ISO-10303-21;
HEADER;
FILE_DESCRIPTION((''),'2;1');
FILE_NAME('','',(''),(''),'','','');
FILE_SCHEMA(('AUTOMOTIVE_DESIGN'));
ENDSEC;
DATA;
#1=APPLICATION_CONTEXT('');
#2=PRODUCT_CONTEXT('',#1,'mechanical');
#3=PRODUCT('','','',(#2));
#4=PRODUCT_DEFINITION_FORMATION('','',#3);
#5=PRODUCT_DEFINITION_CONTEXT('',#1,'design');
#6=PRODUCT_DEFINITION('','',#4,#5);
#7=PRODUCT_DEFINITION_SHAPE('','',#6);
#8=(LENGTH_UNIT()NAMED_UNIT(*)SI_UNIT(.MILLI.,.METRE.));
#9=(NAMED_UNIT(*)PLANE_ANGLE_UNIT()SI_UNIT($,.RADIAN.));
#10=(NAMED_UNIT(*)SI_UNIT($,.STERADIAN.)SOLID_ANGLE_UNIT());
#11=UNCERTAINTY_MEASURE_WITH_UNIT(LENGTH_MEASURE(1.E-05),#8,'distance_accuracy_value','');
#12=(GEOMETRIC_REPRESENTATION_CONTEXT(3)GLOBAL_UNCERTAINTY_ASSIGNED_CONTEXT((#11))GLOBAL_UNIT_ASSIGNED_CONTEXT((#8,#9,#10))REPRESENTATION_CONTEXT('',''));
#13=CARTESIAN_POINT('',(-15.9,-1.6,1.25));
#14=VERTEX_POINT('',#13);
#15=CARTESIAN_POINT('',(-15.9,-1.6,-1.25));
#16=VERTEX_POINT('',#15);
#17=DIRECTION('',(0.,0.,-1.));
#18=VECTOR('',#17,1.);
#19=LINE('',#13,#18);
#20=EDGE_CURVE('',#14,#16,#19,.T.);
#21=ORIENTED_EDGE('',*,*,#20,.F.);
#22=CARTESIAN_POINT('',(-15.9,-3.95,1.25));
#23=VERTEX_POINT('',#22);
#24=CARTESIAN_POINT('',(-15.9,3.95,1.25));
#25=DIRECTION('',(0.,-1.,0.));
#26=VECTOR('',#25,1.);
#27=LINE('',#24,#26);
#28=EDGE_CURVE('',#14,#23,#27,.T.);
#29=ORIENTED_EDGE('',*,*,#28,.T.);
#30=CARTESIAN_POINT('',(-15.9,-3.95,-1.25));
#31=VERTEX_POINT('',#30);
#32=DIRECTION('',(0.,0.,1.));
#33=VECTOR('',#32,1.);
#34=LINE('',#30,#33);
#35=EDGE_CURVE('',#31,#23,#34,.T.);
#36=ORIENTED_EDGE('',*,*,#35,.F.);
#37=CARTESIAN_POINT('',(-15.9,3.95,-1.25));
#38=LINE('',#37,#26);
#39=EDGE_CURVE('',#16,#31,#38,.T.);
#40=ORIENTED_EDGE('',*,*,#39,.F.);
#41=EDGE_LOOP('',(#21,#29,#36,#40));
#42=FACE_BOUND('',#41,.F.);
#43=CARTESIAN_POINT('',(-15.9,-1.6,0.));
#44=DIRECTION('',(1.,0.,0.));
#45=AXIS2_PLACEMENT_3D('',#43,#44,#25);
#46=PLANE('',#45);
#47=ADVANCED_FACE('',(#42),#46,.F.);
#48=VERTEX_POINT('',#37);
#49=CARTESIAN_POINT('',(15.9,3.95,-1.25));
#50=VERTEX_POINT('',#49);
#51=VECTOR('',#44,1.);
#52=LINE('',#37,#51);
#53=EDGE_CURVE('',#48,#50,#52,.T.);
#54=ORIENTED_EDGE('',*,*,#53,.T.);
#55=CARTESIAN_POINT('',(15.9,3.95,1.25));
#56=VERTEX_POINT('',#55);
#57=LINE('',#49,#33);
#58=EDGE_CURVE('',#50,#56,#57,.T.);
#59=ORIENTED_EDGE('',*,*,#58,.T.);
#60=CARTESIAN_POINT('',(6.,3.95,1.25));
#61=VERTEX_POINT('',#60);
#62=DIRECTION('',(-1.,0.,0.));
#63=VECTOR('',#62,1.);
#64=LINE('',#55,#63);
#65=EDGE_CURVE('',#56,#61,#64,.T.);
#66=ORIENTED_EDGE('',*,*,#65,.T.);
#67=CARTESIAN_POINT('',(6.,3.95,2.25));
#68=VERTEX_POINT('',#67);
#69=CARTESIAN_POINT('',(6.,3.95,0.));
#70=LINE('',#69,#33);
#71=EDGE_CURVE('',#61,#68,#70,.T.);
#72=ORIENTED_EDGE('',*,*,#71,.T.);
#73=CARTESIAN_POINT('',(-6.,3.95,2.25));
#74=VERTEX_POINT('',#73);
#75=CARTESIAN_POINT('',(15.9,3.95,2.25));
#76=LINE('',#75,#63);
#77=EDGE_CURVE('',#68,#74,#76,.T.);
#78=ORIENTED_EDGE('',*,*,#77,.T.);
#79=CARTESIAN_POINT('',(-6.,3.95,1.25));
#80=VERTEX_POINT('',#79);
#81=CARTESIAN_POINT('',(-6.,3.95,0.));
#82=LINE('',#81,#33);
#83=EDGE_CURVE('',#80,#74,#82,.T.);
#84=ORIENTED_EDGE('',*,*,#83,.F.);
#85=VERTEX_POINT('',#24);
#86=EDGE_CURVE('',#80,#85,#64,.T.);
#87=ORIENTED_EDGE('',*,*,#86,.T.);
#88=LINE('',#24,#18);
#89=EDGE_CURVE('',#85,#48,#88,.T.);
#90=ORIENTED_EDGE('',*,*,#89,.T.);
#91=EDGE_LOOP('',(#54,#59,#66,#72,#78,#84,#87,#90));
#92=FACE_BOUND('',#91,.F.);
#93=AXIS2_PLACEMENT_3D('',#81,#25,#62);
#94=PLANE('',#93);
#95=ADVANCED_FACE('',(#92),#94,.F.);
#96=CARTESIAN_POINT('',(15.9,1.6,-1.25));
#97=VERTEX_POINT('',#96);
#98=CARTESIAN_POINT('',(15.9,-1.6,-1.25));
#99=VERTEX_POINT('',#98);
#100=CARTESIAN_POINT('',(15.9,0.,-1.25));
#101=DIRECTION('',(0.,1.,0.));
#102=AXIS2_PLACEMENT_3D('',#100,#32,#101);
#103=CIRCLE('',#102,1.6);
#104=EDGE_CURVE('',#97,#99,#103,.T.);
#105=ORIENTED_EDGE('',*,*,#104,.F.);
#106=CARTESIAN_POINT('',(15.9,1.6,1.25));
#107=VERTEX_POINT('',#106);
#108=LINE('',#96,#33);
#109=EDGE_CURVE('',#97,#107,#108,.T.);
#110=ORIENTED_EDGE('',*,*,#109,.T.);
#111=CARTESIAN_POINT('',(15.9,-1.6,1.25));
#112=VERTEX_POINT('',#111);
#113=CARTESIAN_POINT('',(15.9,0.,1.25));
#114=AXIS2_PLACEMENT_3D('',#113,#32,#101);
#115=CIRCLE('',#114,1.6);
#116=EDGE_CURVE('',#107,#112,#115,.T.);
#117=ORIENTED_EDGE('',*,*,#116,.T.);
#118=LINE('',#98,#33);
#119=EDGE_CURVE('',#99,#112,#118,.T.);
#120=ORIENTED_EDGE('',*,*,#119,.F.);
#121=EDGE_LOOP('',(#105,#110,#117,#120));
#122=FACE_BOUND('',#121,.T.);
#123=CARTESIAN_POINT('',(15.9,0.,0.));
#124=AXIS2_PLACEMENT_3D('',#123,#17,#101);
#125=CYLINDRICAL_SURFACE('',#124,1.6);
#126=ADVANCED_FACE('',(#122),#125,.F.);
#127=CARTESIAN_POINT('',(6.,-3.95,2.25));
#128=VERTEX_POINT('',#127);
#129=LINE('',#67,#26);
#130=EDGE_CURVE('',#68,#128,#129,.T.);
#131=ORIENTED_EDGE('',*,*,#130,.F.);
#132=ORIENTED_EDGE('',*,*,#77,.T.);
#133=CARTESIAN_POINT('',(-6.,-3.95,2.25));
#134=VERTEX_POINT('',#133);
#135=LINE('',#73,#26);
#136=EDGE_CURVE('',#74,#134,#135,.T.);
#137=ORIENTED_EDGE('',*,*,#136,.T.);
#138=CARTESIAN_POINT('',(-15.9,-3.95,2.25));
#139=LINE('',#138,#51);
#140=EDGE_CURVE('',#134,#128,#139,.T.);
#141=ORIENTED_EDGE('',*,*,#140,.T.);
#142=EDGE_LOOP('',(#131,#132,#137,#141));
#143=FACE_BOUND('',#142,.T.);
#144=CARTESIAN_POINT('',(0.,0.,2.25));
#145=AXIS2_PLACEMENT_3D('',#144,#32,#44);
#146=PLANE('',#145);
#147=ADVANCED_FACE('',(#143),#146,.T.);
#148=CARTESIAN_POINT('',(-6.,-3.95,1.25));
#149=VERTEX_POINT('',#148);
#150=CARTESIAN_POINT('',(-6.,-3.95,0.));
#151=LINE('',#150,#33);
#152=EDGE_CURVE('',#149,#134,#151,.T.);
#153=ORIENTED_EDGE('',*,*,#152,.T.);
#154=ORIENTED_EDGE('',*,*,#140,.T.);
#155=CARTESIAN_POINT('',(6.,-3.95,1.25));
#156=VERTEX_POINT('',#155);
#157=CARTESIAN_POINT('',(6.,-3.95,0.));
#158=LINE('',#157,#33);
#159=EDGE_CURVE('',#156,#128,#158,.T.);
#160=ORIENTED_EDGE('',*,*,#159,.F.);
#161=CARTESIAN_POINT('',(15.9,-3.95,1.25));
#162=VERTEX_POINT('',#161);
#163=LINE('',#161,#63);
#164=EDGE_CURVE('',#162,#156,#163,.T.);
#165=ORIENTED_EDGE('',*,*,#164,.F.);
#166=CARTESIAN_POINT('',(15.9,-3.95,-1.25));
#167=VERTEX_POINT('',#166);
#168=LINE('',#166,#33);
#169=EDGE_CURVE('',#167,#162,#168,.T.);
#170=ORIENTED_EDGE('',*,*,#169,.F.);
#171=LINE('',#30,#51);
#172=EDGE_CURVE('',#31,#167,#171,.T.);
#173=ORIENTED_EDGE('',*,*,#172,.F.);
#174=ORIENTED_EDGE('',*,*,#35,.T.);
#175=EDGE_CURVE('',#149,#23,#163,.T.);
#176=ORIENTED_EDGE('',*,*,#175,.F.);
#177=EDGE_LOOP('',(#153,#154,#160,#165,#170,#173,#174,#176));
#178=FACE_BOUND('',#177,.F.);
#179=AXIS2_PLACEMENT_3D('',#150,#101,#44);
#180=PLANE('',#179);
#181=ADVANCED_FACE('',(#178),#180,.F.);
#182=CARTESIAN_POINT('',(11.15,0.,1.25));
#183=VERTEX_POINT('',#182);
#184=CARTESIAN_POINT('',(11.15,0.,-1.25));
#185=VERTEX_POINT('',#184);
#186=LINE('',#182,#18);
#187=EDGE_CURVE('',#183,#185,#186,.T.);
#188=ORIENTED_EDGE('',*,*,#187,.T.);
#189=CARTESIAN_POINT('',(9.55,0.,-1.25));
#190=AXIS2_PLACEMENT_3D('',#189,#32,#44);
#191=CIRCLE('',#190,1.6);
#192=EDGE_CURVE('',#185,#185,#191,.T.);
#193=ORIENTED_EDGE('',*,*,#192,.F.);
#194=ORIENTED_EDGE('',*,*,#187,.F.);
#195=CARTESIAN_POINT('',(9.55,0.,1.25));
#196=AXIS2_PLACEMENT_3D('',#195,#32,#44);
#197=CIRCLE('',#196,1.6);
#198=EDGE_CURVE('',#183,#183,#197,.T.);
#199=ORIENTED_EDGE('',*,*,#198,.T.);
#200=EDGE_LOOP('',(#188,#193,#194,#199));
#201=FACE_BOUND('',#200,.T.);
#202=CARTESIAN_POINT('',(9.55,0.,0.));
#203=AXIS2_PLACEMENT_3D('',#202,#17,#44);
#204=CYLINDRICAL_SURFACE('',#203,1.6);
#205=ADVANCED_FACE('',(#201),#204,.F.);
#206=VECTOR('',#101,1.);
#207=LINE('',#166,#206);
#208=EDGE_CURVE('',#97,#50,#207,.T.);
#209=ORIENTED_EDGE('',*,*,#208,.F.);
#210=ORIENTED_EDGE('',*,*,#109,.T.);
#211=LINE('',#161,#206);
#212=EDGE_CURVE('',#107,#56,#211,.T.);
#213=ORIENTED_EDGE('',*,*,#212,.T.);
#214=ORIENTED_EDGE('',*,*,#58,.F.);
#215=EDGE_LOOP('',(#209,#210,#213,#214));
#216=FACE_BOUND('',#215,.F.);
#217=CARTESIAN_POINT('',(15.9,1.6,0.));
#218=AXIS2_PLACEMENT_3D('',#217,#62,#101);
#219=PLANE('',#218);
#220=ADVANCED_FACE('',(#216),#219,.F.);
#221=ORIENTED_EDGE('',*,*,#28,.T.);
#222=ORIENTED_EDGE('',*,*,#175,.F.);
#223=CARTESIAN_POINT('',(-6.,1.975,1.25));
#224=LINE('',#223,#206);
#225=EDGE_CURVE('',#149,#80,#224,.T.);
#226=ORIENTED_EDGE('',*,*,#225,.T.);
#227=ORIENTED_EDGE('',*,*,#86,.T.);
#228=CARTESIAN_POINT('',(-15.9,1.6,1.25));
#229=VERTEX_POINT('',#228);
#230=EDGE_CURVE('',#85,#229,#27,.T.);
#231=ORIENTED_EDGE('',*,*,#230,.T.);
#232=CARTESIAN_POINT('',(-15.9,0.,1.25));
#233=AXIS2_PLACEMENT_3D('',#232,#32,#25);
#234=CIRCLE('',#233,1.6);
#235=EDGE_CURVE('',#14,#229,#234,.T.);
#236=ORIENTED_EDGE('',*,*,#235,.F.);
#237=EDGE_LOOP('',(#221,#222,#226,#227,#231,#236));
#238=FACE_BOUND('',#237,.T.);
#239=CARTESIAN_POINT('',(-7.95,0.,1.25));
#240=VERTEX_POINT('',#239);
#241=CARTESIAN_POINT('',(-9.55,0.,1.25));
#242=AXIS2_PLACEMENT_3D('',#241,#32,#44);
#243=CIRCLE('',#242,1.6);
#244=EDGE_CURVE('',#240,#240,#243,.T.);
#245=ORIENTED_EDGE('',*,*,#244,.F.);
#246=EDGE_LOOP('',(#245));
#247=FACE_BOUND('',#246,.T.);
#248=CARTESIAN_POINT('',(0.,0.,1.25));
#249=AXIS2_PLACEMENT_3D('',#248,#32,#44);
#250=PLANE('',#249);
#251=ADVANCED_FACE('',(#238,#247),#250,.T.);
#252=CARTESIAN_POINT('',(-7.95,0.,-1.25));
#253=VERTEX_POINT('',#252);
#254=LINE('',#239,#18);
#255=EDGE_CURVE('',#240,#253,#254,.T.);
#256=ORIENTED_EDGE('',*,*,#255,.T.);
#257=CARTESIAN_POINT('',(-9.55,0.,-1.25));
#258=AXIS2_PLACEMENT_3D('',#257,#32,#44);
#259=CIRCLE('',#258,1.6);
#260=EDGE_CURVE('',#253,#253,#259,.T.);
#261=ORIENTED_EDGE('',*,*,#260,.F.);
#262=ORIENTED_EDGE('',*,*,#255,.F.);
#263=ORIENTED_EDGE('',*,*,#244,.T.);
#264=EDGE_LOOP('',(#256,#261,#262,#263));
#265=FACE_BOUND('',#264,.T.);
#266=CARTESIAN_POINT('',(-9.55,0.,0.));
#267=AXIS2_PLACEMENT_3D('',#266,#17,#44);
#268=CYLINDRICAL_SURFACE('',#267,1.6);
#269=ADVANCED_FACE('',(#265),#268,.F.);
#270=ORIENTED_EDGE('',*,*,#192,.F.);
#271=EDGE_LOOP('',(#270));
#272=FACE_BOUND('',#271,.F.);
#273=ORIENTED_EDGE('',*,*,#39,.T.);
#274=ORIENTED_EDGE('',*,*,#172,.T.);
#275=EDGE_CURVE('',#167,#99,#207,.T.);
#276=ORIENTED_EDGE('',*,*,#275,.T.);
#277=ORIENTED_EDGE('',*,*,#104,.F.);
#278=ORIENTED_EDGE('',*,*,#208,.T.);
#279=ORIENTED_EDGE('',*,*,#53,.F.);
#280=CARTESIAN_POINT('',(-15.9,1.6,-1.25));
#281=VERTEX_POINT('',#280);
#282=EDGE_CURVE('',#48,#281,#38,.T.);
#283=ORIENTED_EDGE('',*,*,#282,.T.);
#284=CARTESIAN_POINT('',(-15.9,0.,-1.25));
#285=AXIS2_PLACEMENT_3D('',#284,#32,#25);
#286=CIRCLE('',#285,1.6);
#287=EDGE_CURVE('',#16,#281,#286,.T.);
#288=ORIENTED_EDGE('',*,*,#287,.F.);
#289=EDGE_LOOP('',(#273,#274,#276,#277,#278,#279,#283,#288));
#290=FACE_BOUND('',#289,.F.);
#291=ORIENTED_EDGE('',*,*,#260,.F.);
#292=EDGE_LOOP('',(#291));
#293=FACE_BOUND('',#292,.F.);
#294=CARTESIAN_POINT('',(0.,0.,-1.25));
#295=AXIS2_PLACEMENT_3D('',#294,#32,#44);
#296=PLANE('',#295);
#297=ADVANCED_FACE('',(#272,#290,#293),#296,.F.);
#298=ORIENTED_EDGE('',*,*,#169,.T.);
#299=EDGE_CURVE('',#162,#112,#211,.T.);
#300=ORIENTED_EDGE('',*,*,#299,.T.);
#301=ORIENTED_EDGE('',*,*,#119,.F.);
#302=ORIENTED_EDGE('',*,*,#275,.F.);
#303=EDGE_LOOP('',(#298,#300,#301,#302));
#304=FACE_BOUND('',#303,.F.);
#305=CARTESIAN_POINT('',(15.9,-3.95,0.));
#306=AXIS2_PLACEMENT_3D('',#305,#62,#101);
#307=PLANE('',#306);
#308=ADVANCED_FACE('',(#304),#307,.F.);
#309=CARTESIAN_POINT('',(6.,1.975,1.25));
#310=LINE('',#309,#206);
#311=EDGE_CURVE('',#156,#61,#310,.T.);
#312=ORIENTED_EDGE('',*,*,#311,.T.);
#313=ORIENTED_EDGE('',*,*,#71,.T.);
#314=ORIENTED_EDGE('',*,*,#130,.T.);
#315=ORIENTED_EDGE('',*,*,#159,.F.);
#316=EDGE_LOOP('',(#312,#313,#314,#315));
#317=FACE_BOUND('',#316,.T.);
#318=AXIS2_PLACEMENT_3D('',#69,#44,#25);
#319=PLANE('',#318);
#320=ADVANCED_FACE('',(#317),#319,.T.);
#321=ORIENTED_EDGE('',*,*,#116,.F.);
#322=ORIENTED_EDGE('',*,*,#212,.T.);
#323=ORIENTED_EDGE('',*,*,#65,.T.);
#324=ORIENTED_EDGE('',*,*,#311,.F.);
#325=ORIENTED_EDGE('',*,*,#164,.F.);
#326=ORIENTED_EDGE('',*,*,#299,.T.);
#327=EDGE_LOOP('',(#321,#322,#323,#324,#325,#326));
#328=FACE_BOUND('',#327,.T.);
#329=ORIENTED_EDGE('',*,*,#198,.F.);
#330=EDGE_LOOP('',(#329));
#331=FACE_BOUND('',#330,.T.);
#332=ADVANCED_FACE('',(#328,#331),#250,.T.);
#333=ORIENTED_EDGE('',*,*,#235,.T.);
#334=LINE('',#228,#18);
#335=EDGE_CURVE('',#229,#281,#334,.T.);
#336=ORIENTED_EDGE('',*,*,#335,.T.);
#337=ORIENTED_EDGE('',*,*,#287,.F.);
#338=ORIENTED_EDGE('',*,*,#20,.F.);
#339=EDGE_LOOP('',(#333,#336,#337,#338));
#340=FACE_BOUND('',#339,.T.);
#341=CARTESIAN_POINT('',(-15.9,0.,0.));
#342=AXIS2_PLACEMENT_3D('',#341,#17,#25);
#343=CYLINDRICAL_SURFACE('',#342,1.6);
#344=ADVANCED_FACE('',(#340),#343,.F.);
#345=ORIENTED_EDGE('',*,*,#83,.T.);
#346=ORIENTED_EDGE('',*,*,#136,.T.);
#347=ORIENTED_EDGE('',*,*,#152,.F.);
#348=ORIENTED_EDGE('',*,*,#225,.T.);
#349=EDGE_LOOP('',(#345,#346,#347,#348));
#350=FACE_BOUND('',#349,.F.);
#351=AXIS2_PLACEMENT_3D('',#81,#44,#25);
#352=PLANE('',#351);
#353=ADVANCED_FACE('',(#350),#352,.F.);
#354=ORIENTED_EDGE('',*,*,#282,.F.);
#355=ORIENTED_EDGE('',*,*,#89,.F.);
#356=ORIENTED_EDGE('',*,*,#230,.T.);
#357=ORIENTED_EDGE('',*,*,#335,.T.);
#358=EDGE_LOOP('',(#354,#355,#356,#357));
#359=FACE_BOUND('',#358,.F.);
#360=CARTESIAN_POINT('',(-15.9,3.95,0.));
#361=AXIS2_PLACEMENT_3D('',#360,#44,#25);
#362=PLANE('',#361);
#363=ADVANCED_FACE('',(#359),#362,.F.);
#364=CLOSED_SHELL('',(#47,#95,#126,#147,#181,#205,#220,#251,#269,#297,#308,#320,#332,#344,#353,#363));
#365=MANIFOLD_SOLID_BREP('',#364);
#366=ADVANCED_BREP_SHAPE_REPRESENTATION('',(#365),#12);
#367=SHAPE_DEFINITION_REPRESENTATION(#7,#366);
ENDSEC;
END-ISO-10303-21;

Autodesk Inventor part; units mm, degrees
ref_plane "YZ Plane" through (0, 0, 0) normal (1, 0, 0) x (0, 1, 0)
ref_plane "XZ Plane" through (0, 0, 0) normal (0, 1, 0) x (-1, 0, 0)
ref_plane "XY Plane" through (0, 0, 0) normal (0, 0, 1) x (1, 0, 0)
sketch "Sketch1" plane through (0, 0, 0) normal (0, 0, 1) x (1, 0, 0)
  line L0 (-15.9, -3.95) -> (15.9, -3.95)
  line L1 (15.9, -3.95) -> (15.9, 3.95)
  line L2 (15.9, 3.95) -> (-15.9, 3.95)
  line L3 (-15.9, 3.95) -> (-15.9, -3.95)
  line L4 (-15.9, -3.95) -> (15.9, 3.95) construction
  line L5 (15.9, -3.95) -> (-15.9, 3.95) construction
  line L6 (-15.9, 0) -> (15.9, 0) construction
  line L7 (0, 3.95) -> (0, -3.95) construction
  circle A0 centre (9.55, 0) radius 1.6
  arc A1 (15.9, 1.6) -> (15.9, -1.6) centre (15.9, 0) ccw
  circle A2 centre (-9.55, 0) radius 1.6
  arc A3 (-15.9, -1.6) -> (-15.9, 1.6) centre (-15.9, 0) ccw
  line L8 (6, 3.95) -> (6, -3.95)
  line L9 (-6, 3.95) -> (-6, -3.95)
  point P0 (0, 0)
  point P1 (-15.9, 1.6)
  point P2 (-15.9, -1.6)
  dimension "d0" = 31.8
  dimension "d1" = 7.9
  dimension "d2" = 3.2
  dimension "d3" = 19.1
  dimension "d4" = 12
extrude "Extrusion1" add sketch "Sketch1" along normal mid plane 2.5 contours L3 A3 L2 L9 L0 | L9 L2 L8 L0 | L8 L2 L1 A1 L0
extrude "Extrusion2" add sketch "Sketch1" along normal blind 2.25 contours L9 L2 L8 L0
properties part number "SC700-40kg"
